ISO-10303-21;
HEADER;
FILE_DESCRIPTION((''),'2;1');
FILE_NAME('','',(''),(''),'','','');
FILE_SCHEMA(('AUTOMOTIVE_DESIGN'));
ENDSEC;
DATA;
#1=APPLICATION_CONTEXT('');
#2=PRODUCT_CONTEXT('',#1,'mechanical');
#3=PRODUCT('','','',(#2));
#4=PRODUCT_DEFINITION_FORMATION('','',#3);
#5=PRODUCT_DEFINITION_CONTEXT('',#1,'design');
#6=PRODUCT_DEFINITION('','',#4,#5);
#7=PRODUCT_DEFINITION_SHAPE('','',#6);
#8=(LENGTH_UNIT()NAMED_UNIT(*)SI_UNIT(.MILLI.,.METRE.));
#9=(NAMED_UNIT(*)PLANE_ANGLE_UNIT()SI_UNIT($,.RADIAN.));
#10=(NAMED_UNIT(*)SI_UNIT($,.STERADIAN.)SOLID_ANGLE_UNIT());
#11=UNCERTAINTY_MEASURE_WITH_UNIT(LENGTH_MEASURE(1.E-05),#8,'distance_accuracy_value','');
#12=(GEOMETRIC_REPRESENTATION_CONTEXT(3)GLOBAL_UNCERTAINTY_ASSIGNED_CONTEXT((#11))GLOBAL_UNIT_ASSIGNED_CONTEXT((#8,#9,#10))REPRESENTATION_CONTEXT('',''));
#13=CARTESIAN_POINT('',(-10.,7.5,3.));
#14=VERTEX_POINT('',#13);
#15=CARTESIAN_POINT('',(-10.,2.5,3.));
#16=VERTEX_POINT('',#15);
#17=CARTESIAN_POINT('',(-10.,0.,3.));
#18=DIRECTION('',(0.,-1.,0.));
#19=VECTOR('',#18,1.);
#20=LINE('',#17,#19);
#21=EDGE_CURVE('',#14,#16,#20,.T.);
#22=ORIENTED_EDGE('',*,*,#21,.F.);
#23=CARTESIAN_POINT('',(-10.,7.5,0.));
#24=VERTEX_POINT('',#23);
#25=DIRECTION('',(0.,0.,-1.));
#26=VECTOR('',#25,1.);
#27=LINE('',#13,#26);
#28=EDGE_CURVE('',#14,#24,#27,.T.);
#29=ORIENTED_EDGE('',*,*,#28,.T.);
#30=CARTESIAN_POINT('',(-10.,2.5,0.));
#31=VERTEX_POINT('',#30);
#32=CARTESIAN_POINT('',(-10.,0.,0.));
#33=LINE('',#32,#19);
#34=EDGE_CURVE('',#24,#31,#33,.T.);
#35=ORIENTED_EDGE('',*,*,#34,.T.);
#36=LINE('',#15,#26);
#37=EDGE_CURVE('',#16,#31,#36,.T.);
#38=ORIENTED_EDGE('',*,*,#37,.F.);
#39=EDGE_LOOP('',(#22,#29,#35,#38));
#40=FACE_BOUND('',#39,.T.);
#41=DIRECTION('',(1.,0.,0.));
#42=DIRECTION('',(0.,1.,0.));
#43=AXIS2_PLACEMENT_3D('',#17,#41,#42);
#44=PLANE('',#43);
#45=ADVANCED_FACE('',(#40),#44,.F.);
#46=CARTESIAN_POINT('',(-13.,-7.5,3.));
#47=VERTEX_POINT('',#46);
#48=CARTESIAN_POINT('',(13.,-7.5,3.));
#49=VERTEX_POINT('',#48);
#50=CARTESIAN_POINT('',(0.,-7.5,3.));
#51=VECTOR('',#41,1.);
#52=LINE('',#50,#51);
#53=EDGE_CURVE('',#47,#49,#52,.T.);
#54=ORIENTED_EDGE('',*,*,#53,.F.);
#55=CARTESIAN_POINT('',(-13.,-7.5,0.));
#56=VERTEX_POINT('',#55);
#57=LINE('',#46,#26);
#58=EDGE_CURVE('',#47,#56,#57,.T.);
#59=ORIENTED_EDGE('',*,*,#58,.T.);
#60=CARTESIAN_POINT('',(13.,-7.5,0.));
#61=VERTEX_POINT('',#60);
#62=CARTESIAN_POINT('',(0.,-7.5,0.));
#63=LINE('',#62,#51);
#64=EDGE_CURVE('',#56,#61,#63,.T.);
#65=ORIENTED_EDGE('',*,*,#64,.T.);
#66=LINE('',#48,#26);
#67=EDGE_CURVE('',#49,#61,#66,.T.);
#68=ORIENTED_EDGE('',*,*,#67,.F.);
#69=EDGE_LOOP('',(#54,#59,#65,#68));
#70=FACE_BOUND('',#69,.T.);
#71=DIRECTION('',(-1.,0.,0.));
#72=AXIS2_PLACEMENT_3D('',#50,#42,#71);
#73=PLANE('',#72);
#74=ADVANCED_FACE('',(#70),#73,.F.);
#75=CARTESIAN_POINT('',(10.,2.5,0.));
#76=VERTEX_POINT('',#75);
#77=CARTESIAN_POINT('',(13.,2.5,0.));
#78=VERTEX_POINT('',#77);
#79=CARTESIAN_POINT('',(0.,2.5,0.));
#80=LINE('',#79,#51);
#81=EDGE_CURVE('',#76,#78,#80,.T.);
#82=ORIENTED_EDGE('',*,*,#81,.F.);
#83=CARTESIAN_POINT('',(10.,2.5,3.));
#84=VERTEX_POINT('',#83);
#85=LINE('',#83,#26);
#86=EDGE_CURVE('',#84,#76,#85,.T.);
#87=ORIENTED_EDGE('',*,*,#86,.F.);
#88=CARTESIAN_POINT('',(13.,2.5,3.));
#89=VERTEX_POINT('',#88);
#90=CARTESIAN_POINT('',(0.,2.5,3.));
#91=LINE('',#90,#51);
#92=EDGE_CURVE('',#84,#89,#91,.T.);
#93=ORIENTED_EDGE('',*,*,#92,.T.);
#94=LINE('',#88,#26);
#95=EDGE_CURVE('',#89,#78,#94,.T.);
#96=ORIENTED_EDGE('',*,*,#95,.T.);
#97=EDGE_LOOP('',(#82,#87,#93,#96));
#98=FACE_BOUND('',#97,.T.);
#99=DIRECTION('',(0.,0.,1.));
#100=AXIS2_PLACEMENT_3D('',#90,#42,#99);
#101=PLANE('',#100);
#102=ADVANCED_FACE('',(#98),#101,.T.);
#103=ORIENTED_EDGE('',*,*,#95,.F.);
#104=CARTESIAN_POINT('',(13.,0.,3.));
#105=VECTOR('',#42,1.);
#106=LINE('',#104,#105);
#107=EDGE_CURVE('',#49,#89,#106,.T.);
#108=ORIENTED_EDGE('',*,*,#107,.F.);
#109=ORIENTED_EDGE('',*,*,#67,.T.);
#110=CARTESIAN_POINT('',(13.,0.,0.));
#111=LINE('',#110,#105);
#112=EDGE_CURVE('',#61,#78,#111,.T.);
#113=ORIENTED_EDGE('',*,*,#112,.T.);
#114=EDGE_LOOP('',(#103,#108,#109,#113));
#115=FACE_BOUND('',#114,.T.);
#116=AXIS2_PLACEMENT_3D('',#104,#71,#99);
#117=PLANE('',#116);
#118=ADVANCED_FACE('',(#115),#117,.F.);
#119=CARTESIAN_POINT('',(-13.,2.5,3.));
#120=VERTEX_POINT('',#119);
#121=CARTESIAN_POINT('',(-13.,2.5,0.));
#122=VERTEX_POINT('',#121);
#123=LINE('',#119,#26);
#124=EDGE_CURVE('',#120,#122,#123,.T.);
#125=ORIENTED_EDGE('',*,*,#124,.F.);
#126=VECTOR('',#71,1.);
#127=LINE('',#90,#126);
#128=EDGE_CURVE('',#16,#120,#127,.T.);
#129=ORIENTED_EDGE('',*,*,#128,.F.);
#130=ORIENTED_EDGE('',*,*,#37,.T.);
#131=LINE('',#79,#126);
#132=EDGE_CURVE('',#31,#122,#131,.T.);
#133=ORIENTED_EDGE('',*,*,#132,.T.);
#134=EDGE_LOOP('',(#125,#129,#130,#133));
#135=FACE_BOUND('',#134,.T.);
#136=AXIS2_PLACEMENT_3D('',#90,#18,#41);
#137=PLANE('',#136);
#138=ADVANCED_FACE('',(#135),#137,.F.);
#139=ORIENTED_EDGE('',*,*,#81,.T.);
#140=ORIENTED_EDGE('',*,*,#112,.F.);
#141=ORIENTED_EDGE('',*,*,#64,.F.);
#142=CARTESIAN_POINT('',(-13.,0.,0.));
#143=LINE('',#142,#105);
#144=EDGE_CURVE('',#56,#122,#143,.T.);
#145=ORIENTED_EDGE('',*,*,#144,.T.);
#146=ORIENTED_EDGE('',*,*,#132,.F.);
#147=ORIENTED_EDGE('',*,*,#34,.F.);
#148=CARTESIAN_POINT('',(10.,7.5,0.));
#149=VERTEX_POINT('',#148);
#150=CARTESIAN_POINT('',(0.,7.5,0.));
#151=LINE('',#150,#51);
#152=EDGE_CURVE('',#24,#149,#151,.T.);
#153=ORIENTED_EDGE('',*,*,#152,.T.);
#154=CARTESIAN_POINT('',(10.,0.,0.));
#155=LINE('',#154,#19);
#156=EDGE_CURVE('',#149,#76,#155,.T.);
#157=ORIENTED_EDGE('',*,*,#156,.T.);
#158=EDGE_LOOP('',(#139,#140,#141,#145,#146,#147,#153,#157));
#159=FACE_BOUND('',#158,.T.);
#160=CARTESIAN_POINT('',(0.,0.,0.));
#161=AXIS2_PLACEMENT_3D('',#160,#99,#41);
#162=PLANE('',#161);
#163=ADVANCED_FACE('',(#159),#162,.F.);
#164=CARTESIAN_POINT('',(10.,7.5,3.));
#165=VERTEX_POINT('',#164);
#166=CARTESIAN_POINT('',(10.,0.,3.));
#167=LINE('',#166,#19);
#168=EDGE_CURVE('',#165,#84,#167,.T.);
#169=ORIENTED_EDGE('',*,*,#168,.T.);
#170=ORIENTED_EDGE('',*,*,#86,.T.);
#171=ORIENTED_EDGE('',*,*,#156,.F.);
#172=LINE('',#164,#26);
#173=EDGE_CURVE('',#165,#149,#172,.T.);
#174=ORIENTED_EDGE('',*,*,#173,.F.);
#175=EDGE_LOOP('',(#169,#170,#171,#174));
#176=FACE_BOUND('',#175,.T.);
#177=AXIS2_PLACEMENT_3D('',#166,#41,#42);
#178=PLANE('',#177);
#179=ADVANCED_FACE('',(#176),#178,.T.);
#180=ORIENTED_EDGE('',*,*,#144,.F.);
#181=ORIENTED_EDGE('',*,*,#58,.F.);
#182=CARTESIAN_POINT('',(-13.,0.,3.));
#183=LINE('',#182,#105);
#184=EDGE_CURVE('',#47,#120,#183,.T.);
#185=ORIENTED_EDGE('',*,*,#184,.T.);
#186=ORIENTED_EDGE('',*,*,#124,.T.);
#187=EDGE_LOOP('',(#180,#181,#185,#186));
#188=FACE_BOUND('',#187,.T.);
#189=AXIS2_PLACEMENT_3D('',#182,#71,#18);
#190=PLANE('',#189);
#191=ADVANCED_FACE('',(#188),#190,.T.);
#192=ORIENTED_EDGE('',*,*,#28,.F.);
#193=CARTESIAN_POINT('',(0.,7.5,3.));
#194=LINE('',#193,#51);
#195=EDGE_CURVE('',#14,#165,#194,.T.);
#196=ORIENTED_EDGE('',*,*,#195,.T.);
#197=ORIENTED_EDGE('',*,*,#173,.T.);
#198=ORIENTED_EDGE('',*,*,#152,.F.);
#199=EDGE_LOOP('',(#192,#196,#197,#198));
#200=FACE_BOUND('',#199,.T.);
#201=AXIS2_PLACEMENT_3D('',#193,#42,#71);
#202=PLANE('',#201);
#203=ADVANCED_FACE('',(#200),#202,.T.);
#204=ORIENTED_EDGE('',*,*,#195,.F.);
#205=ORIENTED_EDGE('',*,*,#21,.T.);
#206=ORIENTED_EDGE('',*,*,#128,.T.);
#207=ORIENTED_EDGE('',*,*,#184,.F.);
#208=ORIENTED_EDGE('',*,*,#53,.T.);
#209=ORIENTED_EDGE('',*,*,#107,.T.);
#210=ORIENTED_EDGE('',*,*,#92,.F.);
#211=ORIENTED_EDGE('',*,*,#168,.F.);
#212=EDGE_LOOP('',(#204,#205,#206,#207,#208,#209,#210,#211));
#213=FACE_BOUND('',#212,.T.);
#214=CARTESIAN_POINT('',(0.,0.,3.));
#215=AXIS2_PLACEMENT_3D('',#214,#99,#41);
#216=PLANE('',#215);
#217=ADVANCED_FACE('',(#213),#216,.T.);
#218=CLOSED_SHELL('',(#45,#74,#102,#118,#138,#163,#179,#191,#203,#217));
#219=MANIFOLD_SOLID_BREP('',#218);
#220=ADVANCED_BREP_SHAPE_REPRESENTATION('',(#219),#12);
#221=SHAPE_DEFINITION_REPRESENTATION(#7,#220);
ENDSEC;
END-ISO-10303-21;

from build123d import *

# Parameters (mm, degrees)
SKETCH_1_W      = 20
SKETCH_1_H      = 15
SKETCH_1_W_2    = 3
SKETCH_1_H_2    = 10
EXTRUDE_1_DEPTH = 3


with BuildPart() as part:
    # 草图1 → 凸台-拉伸1 (new body)
    with BuildSketch(Plane.XY):
        Rectangle(SKETCH_1_W, SKETCH_1_H)
        with Locations((11.5, -2.5)):
            Rectangle(SKETCH_1_W_2, SKETCH_1_H_2)
        with Locations((-11.5, -2.5)):
            Rectangle(SKETCH_1_W_2, SKETCH_1_H_2)
    extrude(amount=EXTRUDE_1_DEPTH)


solid = part.part
